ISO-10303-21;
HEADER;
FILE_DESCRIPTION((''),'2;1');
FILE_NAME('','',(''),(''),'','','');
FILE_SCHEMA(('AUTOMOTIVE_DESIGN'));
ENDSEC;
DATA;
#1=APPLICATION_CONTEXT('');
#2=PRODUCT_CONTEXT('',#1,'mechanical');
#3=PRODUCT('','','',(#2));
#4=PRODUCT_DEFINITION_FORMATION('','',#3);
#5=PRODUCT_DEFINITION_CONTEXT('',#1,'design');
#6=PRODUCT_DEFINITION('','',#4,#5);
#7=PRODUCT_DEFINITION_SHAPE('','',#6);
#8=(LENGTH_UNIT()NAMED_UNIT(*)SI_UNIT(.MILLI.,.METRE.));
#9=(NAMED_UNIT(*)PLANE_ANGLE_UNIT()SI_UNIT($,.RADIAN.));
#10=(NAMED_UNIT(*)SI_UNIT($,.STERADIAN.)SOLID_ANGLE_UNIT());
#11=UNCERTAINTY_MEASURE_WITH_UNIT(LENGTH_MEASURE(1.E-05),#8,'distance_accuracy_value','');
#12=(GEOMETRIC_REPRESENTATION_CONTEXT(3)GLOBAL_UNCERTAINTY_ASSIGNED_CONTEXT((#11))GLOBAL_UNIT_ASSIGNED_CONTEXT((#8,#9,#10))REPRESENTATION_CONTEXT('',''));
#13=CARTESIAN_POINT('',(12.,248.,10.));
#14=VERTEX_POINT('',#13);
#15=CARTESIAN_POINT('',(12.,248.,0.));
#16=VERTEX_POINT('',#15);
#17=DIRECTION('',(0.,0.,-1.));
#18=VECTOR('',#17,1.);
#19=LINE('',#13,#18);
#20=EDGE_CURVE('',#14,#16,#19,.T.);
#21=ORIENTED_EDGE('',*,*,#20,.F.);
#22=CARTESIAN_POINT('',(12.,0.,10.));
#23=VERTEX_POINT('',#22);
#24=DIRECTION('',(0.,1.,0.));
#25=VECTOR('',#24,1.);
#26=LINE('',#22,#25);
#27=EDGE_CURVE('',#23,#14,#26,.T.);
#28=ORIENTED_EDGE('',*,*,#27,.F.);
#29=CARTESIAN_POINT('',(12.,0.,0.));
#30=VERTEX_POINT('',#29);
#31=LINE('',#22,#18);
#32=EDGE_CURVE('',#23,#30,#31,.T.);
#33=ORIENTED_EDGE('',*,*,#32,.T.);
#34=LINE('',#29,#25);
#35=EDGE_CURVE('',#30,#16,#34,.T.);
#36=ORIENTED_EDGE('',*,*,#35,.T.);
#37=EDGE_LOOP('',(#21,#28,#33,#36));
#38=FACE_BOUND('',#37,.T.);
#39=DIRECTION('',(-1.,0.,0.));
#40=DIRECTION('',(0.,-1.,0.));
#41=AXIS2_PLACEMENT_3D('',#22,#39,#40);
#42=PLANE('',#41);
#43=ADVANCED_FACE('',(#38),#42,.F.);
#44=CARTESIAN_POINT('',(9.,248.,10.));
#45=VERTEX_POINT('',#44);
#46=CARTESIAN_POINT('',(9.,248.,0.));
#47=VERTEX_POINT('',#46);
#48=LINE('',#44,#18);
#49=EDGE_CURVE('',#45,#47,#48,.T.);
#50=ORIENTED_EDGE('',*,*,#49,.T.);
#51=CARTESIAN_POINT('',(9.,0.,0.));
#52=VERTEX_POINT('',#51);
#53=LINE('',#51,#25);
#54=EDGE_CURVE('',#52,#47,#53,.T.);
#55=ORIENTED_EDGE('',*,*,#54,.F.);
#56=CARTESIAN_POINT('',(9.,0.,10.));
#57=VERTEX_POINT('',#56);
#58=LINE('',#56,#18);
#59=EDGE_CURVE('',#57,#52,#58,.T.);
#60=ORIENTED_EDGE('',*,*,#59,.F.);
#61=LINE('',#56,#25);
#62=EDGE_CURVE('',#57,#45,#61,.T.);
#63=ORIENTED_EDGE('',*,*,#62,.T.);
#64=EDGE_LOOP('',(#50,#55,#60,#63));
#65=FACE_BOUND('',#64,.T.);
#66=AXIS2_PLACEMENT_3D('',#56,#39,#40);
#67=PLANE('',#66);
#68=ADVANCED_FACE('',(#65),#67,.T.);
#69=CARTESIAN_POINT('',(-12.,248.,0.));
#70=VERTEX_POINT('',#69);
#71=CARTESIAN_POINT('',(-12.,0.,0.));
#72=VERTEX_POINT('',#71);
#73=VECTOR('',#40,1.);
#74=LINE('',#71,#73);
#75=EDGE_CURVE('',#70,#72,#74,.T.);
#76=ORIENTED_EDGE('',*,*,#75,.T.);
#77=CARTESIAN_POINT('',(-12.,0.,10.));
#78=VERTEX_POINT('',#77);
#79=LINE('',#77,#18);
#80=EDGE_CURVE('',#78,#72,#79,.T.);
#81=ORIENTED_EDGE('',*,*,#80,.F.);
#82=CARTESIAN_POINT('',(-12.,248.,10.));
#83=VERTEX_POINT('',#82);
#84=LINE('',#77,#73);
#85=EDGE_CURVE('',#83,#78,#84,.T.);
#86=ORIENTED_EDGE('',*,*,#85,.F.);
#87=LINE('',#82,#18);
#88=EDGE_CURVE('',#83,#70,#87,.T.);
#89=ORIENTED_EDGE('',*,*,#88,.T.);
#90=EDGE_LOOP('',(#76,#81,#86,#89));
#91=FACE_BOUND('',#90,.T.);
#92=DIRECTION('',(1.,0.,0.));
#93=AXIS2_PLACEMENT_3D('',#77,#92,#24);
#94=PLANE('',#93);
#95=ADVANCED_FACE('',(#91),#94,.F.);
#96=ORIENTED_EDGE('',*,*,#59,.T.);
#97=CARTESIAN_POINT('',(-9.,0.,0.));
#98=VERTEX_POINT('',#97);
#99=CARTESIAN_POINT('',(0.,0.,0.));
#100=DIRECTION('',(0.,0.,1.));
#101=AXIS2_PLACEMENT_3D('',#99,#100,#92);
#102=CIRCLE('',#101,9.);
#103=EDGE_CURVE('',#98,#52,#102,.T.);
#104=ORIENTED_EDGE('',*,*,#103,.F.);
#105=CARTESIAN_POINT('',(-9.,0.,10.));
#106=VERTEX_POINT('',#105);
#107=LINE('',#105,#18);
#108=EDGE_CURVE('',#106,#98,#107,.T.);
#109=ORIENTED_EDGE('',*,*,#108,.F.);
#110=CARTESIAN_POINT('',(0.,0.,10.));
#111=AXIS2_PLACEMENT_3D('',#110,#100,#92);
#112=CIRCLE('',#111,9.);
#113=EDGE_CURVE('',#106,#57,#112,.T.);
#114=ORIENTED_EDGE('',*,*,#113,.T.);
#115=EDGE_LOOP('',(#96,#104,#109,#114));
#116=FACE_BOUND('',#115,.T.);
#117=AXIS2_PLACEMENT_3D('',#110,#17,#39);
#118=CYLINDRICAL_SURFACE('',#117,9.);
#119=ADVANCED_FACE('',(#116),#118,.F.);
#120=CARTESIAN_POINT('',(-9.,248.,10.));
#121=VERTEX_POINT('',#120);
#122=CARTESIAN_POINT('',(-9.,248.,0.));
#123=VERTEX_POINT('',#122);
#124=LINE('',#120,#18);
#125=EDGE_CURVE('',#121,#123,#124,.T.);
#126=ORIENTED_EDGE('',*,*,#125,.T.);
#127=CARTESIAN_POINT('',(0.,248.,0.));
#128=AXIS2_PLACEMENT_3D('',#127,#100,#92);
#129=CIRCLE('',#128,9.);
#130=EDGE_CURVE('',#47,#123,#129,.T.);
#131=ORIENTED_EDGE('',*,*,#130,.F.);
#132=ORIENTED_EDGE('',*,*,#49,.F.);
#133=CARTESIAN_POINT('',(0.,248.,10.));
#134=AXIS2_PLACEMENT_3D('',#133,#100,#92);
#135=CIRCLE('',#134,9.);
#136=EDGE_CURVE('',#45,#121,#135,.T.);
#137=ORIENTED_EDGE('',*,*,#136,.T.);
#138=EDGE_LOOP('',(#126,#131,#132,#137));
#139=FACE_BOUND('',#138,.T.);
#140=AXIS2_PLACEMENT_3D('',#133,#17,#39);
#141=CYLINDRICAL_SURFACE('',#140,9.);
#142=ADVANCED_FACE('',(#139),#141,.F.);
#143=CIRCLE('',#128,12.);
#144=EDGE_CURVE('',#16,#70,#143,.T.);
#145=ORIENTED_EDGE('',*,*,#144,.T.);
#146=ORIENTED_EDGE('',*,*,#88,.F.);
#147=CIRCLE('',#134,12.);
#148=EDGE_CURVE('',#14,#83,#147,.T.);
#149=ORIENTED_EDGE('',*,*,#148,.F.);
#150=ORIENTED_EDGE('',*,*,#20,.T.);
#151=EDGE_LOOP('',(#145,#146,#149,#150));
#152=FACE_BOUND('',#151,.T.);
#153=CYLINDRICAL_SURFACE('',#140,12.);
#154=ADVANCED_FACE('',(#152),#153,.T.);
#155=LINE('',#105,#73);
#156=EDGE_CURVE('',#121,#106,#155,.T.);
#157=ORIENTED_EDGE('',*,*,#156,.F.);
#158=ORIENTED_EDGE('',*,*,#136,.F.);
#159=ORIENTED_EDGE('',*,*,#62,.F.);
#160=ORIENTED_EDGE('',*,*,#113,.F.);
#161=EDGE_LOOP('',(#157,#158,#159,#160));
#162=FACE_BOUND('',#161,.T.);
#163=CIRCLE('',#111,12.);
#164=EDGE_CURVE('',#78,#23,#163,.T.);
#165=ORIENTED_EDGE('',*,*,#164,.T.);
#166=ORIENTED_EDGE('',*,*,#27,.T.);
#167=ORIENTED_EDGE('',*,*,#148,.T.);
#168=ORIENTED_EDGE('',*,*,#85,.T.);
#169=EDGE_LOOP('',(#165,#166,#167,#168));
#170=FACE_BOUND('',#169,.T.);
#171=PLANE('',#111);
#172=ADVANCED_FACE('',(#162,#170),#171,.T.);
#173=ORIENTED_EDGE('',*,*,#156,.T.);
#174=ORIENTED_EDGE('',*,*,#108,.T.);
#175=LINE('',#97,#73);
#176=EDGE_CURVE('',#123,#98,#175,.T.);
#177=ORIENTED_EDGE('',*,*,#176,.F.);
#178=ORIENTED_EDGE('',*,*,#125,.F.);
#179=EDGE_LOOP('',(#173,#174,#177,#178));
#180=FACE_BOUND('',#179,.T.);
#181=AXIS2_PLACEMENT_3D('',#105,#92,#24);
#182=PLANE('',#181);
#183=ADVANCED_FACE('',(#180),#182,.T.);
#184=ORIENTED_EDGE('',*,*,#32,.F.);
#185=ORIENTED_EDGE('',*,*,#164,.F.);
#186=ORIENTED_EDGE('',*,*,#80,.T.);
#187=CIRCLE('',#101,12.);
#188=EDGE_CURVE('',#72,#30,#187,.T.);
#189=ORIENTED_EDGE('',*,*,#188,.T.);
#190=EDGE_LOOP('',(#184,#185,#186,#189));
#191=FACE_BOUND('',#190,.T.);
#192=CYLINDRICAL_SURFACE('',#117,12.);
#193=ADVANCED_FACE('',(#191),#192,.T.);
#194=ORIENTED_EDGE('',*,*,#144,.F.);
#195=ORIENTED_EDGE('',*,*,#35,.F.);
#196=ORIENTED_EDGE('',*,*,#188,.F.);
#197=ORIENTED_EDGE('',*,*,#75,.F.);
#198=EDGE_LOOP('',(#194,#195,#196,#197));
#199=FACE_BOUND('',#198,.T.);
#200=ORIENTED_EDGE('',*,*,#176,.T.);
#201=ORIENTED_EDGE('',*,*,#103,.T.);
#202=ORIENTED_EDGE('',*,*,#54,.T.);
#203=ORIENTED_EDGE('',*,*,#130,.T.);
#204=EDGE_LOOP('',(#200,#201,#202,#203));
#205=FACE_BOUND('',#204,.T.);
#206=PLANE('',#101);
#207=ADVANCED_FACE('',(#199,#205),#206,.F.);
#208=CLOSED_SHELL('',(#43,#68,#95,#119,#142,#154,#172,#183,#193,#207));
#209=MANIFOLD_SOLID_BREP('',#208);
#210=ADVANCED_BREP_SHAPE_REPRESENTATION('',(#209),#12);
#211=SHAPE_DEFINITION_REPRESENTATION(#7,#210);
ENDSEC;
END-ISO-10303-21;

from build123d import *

# Parameters (mm, degrees)
EXTRUDE_1_DEPTH = 10


with BuildPart() as part:
    # 草图1 → 凸台-拉伸1 (new body)
    with BuildSketch(Plane.XY):
        with BuildLine():
            ThreePointArc((-12, 248), (-11.22497216, 243.757359313), (-9, 240.062746067))
            Line((-9, 240.062746067), (-9, 248))
            ThreePointArc((-9, 248), (0, 257), (9, 248))
            Line((9, 248), (9, 240.062746067))
            ThreePointArc((9, 240.062746067), (11.22497216, 243.757359313), (12, 248))
            ThreePointArc((12, 248), (0, 260), (-12, 248))
        make_face()
        with BuildLine():
            ThreePointArc((-12, 0), (-11.22497216, 4.242640687), (-9, 7.937253933))
            Line((-9, 7.937253933), (-9, 240.062746067))
            ThreePointArc((-9, 240.062746067), (-11.22497216, 243.757359313), (-12, 248))
            Line((-12, 248), (-12, 0))
        make_face()
        with BuildLine():
            Line((9, 240.062746067), (9, 7.937253933))
            ThreePointArc((9, 7.937253933), (11.22497216, 4.242640687), (12, 0))
            Line((12, 0), (12, 248))
            ThreePointArc((12, 248), (11.22497216, 243.757359313), (9, 240.062746067))
        make_face()
        with BuildLine():
            Line((9, 7.937253933), (9, 0))
            ThreePointArc((9, 0), (0, -9), (-9, 0))
            Line((-9, 0), (-9, 7.937253933))
            ThreePointArc((-9, 7.937253933), (-11.22497216, 4.242640687), (-12, 0))
            ThreePointArc((-12, 0), (0, -12), (12, 0))
            ThreePointArc((12, 0), (11.22497216, 4.242640687), (9, 7.937253933))
        make_face()
    extrude(amount=EXTRUDE_1_DEPTH)


solid = part.part
